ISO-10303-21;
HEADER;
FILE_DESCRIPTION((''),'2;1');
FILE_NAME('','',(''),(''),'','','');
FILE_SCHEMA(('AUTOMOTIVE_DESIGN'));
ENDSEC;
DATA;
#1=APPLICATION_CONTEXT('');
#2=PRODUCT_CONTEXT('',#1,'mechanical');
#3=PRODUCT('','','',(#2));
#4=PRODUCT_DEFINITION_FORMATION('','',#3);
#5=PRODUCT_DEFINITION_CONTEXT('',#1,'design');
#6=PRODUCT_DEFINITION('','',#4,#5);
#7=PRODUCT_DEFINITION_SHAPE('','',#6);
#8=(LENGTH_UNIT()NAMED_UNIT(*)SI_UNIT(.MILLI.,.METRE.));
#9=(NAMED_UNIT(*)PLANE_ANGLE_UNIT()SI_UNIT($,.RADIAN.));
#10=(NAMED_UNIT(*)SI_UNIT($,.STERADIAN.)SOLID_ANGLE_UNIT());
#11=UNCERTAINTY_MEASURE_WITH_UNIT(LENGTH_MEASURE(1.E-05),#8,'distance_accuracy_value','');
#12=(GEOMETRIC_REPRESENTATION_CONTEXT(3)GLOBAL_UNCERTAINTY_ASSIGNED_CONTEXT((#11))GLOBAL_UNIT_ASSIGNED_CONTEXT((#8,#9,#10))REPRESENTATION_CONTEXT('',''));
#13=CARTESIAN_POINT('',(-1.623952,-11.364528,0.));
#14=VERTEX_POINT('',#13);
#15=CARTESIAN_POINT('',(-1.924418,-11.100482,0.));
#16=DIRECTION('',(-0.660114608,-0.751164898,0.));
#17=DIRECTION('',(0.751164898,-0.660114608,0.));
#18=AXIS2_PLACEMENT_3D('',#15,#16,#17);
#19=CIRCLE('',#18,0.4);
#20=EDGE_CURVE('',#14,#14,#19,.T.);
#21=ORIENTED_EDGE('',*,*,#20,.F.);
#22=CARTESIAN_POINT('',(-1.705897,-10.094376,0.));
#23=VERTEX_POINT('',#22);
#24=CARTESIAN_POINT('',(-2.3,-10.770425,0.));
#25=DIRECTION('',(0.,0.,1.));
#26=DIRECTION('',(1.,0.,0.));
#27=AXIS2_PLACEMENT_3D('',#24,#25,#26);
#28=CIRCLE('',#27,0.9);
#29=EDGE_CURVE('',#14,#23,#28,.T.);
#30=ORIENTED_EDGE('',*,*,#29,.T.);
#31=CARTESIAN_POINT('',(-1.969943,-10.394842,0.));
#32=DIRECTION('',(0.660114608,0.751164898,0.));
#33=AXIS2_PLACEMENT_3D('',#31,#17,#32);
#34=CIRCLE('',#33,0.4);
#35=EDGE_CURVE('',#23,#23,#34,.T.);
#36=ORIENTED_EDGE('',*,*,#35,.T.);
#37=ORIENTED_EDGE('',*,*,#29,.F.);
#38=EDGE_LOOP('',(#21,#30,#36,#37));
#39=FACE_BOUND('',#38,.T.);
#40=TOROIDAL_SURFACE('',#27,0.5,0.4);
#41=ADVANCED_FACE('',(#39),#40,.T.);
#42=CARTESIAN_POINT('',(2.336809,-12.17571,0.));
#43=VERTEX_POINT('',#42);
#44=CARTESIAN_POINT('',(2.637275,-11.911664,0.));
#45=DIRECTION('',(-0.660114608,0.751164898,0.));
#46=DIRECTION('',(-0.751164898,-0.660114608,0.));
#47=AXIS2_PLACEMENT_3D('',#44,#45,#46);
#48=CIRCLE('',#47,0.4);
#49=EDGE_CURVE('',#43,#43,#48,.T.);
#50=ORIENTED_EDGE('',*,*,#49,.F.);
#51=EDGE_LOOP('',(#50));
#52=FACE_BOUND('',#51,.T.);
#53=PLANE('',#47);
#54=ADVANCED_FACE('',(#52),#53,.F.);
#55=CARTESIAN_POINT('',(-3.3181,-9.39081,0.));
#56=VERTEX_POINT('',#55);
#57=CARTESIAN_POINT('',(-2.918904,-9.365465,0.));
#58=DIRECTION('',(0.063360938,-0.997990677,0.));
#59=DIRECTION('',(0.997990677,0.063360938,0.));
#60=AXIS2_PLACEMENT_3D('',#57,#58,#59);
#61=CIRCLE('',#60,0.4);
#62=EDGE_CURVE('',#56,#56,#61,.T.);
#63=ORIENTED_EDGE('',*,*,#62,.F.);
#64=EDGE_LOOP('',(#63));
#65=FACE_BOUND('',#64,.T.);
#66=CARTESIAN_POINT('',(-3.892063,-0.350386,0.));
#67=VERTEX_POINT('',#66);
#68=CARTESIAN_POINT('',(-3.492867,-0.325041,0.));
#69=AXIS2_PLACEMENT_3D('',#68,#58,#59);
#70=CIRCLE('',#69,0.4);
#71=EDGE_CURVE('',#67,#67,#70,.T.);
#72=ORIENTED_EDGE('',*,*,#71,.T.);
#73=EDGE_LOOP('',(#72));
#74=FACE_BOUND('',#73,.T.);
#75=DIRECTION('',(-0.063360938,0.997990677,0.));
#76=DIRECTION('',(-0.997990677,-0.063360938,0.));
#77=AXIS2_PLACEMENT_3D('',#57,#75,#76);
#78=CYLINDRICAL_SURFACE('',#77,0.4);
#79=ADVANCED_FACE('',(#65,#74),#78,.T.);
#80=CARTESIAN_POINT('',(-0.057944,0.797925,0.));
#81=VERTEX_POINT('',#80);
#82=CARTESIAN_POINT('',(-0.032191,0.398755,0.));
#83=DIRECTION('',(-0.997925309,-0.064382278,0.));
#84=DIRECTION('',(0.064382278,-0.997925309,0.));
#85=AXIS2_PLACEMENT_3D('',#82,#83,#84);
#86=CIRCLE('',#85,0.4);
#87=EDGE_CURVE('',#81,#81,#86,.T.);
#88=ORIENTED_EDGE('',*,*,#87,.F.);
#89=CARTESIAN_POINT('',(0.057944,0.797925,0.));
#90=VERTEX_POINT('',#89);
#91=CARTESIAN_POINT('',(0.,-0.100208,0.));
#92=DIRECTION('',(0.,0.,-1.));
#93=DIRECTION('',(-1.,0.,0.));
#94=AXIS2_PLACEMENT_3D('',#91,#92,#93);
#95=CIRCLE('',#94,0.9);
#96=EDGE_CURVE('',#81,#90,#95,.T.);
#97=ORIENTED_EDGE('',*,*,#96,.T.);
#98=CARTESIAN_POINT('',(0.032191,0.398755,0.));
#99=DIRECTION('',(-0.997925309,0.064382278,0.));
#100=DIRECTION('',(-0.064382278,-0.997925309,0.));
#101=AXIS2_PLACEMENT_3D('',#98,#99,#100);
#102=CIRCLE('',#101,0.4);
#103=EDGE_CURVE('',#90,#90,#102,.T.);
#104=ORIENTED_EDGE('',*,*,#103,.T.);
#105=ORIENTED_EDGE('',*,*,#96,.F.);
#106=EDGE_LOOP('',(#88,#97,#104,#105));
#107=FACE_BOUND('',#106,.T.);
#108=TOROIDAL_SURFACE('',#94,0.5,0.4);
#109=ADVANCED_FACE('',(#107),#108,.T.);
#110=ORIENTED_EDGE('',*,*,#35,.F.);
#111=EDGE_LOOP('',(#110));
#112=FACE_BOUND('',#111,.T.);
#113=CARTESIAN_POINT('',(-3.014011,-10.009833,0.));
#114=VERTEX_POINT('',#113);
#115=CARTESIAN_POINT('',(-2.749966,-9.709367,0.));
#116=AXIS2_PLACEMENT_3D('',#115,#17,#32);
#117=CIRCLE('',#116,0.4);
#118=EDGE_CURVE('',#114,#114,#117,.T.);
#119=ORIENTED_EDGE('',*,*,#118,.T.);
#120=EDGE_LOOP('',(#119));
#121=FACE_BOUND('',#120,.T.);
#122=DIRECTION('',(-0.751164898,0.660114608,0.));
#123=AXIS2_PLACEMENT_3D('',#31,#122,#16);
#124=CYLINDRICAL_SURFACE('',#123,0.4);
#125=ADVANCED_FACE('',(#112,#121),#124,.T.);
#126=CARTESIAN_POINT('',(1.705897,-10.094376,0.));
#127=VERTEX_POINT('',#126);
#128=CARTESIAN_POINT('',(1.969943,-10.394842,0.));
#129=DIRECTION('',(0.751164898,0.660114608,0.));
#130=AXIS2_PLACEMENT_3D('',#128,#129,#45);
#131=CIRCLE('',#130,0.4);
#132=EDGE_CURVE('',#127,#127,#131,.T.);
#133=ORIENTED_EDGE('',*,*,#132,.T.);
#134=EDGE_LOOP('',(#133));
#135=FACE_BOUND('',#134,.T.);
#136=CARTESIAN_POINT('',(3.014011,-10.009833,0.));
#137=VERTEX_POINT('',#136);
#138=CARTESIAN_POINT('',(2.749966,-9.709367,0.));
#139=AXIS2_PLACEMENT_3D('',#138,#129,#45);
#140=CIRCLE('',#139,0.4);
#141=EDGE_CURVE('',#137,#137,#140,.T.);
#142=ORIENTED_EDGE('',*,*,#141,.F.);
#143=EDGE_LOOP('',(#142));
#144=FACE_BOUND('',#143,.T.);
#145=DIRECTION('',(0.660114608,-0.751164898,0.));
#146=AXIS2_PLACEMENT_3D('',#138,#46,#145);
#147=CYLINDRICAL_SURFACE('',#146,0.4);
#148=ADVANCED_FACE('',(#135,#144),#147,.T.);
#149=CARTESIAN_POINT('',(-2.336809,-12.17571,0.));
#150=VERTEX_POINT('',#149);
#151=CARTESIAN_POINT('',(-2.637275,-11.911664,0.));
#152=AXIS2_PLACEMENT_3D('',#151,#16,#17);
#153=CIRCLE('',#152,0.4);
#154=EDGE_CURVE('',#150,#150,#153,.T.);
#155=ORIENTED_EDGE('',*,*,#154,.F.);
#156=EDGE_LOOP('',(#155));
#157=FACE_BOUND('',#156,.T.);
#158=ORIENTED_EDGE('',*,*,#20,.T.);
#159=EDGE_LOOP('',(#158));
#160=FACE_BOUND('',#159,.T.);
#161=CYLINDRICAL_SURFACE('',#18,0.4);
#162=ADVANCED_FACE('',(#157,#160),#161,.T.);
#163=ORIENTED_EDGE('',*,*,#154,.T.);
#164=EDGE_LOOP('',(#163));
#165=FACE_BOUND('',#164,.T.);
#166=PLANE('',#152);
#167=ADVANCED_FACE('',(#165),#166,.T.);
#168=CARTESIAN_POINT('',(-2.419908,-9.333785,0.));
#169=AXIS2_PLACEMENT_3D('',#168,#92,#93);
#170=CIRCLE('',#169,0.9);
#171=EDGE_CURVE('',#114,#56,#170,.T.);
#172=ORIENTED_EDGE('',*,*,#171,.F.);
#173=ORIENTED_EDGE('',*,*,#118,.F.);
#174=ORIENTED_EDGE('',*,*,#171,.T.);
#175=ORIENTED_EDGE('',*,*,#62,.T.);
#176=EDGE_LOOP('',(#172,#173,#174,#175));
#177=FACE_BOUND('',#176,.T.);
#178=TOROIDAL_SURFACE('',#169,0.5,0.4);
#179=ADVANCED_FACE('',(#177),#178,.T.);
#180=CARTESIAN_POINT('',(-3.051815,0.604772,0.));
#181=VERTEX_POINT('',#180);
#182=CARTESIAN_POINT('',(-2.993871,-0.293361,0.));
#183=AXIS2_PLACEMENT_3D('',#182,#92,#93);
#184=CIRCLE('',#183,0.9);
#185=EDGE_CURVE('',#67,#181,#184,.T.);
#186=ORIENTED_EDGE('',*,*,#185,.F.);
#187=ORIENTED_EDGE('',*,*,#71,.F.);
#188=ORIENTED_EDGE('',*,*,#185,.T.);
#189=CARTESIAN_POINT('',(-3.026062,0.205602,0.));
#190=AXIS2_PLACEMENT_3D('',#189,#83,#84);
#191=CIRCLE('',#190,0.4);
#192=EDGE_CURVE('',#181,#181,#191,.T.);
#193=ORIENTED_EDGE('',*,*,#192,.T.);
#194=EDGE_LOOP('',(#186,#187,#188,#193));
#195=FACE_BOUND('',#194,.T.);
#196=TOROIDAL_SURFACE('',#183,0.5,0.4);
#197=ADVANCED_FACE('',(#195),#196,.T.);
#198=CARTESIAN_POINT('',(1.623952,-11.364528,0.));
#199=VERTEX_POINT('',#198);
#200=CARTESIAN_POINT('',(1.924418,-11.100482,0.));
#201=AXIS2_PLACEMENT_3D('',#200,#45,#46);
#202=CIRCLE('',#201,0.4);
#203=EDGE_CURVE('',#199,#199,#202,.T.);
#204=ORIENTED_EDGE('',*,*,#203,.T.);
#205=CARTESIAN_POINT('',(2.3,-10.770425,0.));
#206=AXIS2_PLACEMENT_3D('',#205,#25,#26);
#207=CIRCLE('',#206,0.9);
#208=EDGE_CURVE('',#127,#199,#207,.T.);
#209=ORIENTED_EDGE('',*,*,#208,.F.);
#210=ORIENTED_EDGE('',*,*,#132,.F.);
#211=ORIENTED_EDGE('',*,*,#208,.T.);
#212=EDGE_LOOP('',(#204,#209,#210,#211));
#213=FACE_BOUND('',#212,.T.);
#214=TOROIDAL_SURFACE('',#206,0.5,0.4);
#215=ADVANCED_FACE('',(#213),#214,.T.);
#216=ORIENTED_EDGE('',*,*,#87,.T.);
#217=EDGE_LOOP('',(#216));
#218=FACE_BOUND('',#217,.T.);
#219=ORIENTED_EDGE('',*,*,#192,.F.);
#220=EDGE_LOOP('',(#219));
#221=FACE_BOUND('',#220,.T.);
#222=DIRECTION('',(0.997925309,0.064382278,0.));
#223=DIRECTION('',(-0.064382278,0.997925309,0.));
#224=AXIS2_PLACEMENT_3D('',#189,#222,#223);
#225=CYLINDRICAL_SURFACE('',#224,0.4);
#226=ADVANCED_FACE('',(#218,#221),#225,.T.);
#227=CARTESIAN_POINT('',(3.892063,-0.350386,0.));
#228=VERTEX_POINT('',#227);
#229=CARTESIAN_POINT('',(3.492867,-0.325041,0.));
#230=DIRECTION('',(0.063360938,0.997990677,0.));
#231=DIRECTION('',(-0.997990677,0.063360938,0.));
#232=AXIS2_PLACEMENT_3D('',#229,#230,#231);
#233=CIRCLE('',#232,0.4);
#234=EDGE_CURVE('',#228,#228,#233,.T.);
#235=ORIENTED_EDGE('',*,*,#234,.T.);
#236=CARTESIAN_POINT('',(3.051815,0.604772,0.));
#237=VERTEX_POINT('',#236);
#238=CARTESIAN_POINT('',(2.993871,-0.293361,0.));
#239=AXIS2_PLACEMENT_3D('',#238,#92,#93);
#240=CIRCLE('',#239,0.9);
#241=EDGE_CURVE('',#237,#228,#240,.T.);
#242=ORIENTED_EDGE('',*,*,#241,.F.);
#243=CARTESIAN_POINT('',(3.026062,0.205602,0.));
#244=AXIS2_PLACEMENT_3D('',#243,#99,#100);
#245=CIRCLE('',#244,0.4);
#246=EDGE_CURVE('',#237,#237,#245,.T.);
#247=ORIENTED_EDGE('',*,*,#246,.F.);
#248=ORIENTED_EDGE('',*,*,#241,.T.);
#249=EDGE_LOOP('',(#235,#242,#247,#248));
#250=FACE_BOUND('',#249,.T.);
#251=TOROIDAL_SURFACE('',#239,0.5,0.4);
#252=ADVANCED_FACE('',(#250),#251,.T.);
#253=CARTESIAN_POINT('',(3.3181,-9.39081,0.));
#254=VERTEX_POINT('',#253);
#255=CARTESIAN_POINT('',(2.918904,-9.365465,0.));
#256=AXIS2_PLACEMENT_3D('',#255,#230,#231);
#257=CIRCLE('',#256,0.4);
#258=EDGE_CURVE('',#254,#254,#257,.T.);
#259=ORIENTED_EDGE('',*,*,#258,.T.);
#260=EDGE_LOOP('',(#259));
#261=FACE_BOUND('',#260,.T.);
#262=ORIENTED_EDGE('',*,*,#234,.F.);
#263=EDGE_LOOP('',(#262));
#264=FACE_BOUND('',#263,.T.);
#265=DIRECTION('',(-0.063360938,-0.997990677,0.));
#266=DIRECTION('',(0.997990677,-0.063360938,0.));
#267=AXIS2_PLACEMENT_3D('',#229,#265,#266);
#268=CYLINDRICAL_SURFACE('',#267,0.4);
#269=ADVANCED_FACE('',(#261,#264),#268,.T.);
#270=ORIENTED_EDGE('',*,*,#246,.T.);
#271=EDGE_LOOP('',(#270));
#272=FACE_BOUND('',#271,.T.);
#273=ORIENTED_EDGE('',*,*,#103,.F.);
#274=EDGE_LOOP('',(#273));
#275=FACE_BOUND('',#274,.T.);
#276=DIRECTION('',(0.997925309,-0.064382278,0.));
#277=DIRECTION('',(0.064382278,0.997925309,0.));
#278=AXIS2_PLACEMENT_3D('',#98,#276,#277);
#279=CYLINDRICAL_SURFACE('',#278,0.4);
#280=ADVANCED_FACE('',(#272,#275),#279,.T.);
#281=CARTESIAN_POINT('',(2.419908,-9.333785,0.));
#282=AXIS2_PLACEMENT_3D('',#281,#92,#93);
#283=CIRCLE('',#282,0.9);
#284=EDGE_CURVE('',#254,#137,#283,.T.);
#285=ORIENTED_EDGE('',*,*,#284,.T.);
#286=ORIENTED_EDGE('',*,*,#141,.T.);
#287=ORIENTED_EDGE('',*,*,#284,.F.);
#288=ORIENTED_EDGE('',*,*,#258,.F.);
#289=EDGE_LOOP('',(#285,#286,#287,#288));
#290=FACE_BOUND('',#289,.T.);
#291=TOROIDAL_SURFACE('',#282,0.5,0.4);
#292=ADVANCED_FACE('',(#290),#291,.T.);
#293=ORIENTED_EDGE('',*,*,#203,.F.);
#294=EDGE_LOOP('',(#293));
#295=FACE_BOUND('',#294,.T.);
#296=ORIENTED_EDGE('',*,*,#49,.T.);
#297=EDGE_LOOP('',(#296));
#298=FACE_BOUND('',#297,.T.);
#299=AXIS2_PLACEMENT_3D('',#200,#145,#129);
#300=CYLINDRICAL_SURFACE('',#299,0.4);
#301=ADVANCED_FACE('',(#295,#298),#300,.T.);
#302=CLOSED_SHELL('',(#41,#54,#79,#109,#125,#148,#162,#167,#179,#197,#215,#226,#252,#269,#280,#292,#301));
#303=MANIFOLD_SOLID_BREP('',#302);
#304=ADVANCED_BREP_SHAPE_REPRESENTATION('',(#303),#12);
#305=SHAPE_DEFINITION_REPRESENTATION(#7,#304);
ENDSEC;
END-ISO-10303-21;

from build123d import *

# Parameters (mm, degrees)
SKETCH2_R = 0.4


with BuildPart() as part:
    # Sweep2: sweep along a path in Sketch1
    with BuildLine(Plane.XY) as sweep2_path:
        Line((-2.336808688, -12.175709903), (-1.623951591, -11.36452769))
        ThreePointArc((-1.623951591, -11.36452769), (-1.401867222, -10.712480492), (-1.705896853, -10.094376134))
        Line((-1.705896853, -10.094376134), (-2.485919755, -9.408901463))
        ThreePointArc((-2.485919755, -9.408901463), (-2.509663341, -9.377876145), (-2.519707362, -9.340121067))
        Line((-2.519707362, -9.340121067), (-3.093670387, -0.299696983))
        ThreePointArc((-3.093670387, -0.299696983), (-3.068954021, -0.227310998), (-3.000309548, -0.193568358))
        Line((-3.000309548, -0.193568358), (-0.006438228, -0.00041537))
        ThreePointArc((-0.006438228, -0.00041537), (0, -0.0002079), (0.006438228, -0.00041537))
        Line((0.006438228, -0.00041537), (3.000309548, -0.193568358))
        ThreePointArc((3.000309548, -0.193568358), (3.068954021, -0.227310998), (3.093670387, -0.299696983))
        Line((3.093670387, -0.299696983), (2.519707362, -9.340121067))
        ThreePointArc((2.519707362, -9.340121067), (2.509663341, -9.377876145), (2.485919755, -9.408901463))
        Line((2.485919755, -9.408901463), (1.705896853, -10.094376134))
        ThreePointArc((1.705896853, -10.094376134), (1.401867222, -10.712480492), (1.623951591, -11.36452769))
        Line((1.623951591, -11.36452769), (2.336808688, -12.175709903))
    # Sketch2 → Sweep2 (sweep)
    with BuildSketch(Plane(origin=(-2.336808688, -12.175709903, 0), x_dir=(-0.7511648984498777, 0.6601146077286768, 0), z_dir=(-0.6601146077286769, -0.7511648984498778, 0))):
        with Locations((0.4, 0)):
            Circle(SKETCH2_R)
    sweep(path=sweep2_path.line)


solid = part.part
